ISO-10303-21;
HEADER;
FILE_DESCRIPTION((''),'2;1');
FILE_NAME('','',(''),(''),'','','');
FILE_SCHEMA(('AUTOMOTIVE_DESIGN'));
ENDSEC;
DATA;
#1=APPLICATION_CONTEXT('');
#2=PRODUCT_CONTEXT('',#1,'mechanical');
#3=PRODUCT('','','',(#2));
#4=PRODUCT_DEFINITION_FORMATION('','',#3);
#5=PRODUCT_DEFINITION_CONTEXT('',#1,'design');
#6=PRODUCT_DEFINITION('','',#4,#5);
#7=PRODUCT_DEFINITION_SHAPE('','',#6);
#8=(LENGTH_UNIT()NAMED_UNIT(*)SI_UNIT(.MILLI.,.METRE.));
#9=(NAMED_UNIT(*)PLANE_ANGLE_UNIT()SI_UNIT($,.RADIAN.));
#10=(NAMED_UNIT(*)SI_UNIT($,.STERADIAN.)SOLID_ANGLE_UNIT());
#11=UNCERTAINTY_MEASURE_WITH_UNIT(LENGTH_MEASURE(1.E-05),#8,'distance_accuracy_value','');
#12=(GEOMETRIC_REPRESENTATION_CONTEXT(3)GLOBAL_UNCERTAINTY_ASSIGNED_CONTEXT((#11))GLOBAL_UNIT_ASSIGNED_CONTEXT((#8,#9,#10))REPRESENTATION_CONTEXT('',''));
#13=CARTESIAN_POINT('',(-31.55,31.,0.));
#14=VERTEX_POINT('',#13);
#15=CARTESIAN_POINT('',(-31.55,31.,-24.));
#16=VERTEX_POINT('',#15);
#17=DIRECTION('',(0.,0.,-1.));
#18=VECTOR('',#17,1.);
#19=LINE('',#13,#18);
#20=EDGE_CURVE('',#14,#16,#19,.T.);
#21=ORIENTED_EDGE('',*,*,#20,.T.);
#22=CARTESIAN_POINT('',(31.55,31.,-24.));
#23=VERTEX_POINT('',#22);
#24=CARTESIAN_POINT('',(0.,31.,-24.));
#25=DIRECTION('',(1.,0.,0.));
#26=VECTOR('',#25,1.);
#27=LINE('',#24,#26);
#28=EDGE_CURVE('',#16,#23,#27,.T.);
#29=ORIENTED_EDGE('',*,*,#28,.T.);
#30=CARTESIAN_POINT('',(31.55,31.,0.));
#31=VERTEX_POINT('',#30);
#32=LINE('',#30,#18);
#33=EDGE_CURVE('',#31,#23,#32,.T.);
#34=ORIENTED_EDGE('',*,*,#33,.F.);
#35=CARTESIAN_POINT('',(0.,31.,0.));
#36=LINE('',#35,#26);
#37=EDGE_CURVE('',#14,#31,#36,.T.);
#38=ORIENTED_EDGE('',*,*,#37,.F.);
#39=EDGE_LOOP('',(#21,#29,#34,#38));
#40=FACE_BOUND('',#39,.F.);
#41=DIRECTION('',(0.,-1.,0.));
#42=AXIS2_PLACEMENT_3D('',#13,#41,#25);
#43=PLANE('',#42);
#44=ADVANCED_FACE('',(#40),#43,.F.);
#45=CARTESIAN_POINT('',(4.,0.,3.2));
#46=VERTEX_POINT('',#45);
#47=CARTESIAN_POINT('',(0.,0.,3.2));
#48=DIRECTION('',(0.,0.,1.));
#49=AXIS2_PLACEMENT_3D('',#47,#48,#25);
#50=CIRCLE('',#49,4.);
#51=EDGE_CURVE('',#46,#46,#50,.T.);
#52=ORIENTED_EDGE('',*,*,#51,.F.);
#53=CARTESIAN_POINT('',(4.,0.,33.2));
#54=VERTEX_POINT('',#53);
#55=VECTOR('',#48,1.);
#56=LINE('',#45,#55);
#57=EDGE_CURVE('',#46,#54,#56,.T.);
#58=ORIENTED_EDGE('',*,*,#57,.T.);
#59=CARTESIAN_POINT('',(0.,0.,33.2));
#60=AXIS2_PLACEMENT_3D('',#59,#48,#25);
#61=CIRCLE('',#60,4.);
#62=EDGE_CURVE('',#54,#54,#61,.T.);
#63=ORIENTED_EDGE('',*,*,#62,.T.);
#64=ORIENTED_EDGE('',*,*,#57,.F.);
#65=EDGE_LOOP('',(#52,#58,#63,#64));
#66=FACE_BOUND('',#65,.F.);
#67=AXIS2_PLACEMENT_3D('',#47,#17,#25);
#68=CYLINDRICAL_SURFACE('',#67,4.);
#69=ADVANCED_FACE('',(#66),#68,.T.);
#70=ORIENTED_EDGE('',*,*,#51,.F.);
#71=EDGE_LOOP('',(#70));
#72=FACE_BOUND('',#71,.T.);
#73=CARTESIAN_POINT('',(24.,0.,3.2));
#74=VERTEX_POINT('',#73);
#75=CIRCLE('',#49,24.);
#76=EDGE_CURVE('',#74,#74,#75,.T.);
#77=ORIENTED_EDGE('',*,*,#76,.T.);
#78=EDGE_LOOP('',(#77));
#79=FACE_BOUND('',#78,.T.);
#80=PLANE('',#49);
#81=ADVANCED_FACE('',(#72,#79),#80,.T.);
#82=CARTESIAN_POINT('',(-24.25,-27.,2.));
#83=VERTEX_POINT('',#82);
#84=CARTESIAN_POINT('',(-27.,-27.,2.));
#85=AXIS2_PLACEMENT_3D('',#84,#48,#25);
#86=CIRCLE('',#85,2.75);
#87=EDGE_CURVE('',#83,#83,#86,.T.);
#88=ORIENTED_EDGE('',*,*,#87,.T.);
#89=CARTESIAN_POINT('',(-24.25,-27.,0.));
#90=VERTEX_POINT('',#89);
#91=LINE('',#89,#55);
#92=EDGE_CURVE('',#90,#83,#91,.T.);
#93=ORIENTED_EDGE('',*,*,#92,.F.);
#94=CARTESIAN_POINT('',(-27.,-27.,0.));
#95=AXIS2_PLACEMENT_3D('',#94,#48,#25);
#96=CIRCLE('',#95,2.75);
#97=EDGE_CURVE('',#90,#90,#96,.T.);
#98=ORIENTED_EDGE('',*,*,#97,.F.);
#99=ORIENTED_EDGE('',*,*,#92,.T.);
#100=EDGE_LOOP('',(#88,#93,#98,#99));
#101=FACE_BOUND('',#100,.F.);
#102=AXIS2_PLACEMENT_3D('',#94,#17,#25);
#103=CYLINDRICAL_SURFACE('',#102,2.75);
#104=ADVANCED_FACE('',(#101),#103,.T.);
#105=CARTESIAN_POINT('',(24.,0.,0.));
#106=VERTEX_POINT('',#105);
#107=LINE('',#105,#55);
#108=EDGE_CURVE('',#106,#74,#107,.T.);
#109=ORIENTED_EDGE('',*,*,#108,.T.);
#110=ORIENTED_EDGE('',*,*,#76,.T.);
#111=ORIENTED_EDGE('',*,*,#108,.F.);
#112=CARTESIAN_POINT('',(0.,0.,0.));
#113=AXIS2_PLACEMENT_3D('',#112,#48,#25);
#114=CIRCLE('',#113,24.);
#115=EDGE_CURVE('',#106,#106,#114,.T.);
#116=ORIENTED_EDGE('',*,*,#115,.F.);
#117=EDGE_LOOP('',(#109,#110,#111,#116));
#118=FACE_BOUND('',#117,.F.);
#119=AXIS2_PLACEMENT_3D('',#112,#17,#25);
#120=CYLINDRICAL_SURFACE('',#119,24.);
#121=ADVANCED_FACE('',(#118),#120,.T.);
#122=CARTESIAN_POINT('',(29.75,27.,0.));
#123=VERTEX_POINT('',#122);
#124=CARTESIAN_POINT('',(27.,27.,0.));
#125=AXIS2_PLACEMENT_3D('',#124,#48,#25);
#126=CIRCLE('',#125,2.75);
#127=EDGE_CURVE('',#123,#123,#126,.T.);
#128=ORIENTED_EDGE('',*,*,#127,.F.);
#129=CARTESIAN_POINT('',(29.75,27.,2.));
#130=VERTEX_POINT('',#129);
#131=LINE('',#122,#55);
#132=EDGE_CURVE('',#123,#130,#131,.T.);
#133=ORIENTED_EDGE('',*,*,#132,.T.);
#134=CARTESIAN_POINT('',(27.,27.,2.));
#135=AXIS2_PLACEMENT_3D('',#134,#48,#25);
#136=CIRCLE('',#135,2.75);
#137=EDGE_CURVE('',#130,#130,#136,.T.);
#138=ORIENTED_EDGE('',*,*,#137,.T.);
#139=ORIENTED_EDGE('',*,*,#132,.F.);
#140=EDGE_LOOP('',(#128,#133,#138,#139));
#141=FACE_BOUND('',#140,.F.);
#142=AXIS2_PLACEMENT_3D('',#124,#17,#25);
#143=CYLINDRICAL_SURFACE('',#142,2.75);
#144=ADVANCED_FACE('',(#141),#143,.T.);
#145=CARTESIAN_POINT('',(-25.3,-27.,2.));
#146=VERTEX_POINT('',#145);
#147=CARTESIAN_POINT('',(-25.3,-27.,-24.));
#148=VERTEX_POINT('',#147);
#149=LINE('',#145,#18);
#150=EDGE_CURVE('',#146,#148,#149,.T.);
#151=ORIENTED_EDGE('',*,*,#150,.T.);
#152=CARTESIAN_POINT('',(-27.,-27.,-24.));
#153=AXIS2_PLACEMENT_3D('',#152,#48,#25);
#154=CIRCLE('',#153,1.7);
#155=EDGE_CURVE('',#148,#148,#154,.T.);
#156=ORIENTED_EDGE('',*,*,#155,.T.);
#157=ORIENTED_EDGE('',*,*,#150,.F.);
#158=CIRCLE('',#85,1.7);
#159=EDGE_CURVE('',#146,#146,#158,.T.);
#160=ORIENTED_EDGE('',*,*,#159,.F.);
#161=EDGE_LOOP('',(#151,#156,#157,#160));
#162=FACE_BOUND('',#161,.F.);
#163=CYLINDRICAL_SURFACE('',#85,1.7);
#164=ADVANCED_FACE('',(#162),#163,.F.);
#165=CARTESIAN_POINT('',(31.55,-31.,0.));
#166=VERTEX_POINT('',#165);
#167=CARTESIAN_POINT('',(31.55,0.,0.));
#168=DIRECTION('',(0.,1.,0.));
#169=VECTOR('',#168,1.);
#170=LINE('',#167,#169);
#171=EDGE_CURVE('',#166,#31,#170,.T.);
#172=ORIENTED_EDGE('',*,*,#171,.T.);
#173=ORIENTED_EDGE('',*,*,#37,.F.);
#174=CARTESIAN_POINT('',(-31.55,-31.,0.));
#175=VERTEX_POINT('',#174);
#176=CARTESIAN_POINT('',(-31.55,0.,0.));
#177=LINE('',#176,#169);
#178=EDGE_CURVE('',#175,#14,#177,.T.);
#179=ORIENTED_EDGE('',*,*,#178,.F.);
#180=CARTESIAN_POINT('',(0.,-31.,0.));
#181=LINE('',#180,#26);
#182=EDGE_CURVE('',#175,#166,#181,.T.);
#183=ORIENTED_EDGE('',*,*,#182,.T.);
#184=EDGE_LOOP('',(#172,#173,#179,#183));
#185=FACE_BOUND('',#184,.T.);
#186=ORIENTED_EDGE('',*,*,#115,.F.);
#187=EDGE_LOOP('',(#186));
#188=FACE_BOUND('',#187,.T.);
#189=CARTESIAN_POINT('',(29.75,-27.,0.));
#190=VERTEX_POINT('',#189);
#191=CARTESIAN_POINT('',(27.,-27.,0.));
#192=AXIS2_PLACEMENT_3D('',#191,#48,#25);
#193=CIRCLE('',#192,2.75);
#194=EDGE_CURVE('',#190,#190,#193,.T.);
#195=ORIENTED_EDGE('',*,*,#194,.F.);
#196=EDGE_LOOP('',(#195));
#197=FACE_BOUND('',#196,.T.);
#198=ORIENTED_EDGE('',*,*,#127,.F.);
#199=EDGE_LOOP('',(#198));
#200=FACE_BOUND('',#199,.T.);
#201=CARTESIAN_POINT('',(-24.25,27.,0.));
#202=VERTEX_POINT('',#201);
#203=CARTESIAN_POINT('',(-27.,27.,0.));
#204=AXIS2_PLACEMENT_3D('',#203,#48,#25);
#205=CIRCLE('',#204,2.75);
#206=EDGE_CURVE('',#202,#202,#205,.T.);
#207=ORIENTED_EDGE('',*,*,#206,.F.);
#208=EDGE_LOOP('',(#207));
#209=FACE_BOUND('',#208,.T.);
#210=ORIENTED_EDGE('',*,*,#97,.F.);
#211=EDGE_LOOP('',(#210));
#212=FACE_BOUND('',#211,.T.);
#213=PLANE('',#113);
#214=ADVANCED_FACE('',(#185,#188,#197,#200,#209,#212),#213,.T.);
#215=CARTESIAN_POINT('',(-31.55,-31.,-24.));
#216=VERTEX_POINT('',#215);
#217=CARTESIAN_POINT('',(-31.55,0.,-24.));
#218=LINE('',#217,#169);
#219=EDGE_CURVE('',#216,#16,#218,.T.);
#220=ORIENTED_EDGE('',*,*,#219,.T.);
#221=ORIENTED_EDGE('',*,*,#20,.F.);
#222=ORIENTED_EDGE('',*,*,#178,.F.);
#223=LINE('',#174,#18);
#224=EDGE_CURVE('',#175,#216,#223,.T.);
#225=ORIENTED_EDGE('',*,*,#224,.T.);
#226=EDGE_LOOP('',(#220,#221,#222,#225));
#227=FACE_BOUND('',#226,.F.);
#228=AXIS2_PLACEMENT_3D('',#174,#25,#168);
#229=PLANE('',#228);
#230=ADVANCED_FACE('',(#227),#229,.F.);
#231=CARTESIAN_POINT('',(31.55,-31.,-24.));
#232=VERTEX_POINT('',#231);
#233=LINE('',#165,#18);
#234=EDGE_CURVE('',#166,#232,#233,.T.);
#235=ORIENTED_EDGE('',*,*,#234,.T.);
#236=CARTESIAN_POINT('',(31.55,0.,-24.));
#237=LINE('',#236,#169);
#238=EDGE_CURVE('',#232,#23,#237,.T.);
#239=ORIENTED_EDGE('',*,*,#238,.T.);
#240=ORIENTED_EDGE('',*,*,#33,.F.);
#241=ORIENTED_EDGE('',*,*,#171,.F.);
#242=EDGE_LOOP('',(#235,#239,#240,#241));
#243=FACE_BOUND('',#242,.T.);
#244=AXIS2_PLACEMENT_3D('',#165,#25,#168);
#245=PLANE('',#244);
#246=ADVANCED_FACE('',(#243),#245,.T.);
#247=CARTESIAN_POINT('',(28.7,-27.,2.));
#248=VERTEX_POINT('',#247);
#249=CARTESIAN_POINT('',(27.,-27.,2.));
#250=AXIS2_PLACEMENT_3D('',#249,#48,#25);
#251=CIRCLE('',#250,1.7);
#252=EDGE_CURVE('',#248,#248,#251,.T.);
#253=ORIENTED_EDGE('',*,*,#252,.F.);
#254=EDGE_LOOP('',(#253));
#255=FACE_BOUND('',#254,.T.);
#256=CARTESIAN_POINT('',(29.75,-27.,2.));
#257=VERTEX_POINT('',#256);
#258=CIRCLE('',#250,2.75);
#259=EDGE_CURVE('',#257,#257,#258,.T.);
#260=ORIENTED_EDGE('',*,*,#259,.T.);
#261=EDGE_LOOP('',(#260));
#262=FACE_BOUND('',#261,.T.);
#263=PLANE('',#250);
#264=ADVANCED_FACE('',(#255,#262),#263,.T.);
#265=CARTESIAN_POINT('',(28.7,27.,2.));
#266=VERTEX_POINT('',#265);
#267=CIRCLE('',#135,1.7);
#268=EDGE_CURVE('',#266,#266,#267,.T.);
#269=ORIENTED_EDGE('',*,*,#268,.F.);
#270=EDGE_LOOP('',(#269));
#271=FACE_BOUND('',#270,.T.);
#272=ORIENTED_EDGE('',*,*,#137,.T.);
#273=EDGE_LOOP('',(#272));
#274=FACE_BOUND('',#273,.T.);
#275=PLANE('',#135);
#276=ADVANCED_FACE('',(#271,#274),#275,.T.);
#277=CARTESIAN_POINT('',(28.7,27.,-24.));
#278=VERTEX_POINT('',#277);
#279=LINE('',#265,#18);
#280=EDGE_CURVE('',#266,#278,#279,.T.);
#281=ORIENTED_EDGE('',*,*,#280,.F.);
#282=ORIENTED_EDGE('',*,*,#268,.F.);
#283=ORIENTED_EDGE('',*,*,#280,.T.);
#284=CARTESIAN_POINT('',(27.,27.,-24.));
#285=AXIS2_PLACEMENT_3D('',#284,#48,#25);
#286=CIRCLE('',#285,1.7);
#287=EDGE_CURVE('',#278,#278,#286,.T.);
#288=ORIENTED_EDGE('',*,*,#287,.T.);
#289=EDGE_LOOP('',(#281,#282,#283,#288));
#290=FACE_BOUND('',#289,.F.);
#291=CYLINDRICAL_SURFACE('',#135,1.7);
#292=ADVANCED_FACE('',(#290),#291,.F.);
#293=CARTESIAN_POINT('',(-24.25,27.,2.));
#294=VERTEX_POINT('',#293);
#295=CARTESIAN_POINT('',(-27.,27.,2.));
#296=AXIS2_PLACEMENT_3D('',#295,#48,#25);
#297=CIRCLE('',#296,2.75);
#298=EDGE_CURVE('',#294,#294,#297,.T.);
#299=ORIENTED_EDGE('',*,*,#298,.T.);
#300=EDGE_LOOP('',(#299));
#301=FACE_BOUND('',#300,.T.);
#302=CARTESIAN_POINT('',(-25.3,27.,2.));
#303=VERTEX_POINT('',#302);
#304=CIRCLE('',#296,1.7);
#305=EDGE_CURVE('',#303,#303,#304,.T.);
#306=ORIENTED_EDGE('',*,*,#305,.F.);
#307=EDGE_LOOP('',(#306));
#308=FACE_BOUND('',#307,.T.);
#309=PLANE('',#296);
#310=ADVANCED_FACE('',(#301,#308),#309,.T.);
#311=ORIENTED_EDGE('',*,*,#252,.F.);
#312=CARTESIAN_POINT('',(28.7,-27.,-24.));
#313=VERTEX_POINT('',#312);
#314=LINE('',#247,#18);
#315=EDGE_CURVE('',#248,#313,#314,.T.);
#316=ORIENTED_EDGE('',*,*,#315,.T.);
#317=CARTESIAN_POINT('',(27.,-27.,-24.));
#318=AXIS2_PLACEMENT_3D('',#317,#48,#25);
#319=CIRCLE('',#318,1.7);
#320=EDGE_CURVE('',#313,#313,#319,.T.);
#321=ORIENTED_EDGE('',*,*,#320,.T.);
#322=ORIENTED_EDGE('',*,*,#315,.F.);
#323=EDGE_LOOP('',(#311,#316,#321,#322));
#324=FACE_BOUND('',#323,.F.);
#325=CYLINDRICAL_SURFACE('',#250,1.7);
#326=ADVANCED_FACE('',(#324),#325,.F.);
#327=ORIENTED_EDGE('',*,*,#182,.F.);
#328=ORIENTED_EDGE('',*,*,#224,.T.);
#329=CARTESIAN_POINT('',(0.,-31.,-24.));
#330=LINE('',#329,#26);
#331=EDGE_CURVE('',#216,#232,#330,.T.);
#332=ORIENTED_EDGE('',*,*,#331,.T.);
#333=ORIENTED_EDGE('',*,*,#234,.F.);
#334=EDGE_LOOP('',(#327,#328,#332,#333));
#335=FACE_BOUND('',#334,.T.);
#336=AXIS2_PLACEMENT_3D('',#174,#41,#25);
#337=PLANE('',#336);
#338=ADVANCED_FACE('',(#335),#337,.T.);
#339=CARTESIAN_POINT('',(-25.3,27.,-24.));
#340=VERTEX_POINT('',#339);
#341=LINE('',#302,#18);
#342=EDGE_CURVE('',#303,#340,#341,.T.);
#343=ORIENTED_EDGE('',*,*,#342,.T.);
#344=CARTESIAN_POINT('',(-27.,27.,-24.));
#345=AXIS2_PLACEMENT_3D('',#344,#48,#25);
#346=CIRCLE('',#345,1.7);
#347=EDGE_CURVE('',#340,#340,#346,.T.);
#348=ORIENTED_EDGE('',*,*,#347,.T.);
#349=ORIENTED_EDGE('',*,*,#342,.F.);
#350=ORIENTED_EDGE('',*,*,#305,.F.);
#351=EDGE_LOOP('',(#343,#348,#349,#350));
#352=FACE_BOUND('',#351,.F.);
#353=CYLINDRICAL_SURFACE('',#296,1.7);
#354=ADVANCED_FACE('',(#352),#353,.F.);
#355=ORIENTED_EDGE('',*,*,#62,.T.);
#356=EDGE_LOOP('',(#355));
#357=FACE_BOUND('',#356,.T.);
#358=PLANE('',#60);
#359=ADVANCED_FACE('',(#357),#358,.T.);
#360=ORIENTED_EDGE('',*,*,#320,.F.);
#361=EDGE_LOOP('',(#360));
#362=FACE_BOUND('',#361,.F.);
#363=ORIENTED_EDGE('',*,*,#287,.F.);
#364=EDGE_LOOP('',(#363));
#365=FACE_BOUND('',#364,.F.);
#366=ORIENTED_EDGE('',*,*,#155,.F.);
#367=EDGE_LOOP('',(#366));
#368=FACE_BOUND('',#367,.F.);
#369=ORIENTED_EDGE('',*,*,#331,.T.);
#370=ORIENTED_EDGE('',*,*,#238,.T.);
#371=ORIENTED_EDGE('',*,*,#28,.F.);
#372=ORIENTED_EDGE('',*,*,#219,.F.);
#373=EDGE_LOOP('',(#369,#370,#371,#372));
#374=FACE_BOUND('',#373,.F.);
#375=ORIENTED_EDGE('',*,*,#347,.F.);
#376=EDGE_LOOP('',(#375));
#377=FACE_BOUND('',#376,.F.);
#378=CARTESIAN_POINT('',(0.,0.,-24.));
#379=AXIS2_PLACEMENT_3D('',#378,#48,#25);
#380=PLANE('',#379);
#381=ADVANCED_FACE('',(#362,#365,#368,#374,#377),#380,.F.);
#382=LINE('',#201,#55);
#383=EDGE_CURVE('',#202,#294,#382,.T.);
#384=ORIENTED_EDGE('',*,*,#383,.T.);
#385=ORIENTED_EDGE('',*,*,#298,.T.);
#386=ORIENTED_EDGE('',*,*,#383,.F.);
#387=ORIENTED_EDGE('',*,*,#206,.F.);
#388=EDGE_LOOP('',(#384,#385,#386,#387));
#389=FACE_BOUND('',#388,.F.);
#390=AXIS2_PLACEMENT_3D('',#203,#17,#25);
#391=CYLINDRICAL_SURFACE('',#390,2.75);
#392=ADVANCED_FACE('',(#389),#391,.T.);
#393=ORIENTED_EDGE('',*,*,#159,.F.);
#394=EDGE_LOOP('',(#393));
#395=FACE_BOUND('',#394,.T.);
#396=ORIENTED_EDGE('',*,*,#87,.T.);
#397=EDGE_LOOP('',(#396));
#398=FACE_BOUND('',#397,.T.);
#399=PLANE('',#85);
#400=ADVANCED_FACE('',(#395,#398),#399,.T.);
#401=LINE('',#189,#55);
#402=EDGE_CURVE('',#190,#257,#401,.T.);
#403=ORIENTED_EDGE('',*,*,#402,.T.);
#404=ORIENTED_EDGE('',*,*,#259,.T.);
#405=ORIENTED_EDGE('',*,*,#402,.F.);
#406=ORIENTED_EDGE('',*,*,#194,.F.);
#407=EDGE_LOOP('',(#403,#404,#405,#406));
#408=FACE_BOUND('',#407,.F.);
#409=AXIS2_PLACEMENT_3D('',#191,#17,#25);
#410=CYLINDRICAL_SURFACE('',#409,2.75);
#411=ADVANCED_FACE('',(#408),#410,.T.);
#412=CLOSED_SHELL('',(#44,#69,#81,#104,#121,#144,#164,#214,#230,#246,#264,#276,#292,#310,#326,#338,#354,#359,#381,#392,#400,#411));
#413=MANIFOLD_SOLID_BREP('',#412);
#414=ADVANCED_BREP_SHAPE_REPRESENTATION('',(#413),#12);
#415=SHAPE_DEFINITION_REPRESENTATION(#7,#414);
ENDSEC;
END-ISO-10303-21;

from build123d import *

# Parameters (mm, degrees)
SKETCH_W     = 63.1
SKETCH_H     = 62
PAD_DEPTH    = 24
SKETCH001_R  = 24
PAD001_DEPTH = 3.2
SKETCH002_R  = 4
PAD002_DEPTH = 30
SKETCH003_R  = 2.75
PAD003_DEPTH = 2
SKETCH004_R  = 1.7
HOLE_DEPTH   = 26.001


with BuildPart() as part:
    # Sketch → Pad (new body)
    with BuildSketch(Plane.XY):
        Rectangle(SKETCH_W, SKETCH_H)
    extrude(amount=-PAD_DEPTH)

    # Sketch001 (on Face5 of Pad) → Pad001 (join)
    with BuildSketch(Plane.XY):
        Circle(SKETCH001_R)
    extrude(amount=PAD001_DEPTH)

    # Sketch002 (on Face8 of Pad001) → Pad002 (join)
    with BuildSketch(Plane.XY.offset(3.2)):
        Circle(SKETCH002_R)
    extrude(amount=PAD002_DEPTH)

    # Sketch003 (on Face4 of Pad002) → Pad003 (join)
    with BuildSketch(Plane.XY):
        with Locations((-27, 27)):
            Circle(SKETCH003_R)
        with Locations((27, 27)):
            Circle(SKETCH003_R)
        with Locations((-27, -27)):
            Circle(SKETCH003_R)
        with Locations((27, -27)):
            Circle(SKETCH003_R)
    extrude(amount=PAD003_DEPTH)

    # Sketch004 (on Face13 of Pad003) → Hole (cut, through all)
    with BuildSketch(Plane.XY.offset(2)):
        with Locations((-27, 27)):
            Circle(SKETCH004_R)
        with Locations((27, 27)):
            Circle(SKETCH004_R)
        with Locations((27, -27)):
            Circle(SKETCH004_R)
        with Locations((-27, -27)):
            Circle(SKETCH004_R)
    extrude(amount=-HOLE_DEPTH, mode=Mode.SUBTRACT)


solid = part.part
